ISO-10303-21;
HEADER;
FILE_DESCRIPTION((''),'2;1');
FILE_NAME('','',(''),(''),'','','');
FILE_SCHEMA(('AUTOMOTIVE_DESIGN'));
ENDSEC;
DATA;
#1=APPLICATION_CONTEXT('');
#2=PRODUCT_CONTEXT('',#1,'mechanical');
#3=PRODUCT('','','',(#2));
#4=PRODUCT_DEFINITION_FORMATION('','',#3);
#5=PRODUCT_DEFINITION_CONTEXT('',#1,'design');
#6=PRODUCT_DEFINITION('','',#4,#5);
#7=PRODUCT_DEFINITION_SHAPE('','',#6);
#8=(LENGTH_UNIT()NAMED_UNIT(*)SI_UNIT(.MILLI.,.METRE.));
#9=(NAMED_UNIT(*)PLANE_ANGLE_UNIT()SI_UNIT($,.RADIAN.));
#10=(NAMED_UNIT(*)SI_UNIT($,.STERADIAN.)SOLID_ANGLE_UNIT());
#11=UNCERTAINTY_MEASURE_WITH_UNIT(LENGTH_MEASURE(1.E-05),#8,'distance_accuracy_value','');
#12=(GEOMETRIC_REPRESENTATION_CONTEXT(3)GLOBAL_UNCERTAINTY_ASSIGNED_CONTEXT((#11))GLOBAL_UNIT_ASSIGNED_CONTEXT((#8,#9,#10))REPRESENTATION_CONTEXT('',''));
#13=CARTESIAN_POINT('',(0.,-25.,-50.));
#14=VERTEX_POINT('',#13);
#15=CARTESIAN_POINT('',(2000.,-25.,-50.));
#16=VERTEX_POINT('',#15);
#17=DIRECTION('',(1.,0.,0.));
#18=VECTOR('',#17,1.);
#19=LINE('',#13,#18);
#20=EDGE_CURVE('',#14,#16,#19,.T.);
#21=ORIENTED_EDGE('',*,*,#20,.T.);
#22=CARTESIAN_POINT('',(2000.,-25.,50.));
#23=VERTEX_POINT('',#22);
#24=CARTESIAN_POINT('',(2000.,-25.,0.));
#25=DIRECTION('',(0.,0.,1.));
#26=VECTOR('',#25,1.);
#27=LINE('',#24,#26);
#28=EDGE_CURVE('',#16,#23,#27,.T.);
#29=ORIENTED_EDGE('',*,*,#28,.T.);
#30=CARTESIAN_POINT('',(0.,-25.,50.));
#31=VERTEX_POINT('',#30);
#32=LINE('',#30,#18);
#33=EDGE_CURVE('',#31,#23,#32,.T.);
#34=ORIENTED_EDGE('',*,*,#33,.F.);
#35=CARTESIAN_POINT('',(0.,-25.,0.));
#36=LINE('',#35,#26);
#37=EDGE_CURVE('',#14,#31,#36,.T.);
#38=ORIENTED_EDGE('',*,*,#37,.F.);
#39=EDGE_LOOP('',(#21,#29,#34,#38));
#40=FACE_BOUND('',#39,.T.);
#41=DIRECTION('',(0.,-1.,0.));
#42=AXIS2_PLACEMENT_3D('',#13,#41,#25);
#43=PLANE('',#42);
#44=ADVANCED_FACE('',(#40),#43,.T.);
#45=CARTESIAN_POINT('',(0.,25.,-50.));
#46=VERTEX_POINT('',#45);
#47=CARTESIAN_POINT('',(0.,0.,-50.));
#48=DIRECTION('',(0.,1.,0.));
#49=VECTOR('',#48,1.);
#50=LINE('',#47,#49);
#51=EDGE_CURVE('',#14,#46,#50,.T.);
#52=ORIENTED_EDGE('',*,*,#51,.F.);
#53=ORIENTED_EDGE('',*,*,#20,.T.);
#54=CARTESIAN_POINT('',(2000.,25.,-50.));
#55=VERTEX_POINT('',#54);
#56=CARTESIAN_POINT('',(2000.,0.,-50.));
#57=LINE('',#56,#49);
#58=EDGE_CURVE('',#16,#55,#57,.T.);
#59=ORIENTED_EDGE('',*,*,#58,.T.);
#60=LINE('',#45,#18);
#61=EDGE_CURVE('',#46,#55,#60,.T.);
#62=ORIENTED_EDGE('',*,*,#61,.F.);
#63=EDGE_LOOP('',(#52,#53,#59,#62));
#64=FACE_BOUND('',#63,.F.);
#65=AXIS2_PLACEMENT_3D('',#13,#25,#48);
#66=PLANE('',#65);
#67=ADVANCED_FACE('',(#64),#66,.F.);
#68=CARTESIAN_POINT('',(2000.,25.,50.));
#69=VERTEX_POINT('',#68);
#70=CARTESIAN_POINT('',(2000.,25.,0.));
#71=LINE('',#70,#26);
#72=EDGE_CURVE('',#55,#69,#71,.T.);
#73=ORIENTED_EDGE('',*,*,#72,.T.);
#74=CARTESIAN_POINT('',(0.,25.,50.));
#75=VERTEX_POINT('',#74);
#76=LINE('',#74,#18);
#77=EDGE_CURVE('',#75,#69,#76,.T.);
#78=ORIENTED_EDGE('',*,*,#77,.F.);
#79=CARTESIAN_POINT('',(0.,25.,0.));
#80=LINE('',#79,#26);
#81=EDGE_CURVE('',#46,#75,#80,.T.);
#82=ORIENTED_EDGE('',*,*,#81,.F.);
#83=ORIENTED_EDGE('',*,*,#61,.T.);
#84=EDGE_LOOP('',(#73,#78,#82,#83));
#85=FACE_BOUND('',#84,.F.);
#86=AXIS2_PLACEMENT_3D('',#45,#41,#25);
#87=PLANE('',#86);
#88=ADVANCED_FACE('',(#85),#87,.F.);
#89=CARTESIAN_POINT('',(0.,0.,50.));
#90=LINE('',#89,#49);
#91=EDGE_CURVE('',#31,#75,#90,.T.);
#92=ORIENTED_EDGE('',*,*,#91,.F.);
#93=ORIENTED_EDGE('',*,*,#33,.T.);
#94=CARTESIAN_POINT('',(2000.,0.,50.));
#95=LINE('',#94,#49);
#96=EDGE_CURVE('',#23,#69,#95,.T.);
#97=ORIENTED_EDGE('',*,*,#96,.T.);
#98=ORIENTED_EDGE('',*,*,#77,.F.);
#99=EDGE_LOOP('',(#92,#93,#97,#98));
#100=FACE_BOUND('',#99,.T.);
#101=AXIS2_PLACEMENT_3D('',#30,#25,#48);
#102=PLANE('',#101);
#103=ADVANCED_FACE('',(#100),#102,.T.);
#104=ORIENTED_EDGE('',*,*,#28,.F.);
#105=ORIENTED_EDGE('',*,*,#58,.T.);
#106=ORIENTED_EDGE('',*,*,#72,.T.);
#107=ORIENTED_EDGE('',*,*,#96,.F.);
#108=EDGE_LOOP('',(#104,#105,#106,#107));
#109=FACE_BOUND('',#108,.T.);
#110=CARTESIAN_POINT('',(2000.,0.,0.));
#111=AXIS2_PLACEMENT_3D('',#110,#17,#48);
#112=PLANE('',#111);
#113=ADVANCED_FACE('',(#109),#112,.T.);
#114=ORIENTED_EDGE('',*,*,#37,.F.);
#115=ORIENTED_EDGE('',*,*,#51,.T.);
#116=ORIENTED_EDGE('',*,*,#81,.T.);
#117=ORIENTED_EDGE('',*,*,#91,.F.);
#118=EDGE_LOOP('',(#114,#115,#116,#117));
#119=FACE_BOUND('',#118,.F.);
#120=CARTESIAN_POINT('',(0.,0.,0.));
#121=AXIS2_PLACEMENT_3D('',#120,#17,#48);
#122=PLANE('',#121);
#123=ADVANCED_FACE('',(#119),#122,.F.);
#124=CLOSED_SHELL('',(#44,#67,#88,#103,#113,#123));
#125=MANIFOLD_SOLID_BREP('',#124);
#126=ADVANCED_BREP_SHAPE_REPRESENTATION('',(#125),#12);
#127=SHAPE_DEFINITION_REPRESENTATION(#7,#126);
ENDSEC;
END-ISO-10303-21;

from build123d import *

# Parameters (mm, degrees)
F0_W     = 50
F0_H     = 100
F1_DEPTH = 2000
F3_ANGLE = -90


with BuildPart() as f1:
    # F0 (on Right) → F1 (new body)
    with BuildSketch(Plane.YZ):
        Rectangle(F0_W, F0_H)
    extrude(amount=F1_DEPTH)


with BuildPart() as f2_1:
    # F2: copy of F1
    add(f1.part.moved(Location((0, 2000, 0))))


with BuildPart() as f3_1:
    # F3: copy of F1
    add(f1.part.rotate(Axis((0, -25, 0), (0, 0, 1)), F3_ANGLE))


with BuildPart() as f5_1:
    # F5: copy of F1
    add(f1.part)


solid = f1.part
